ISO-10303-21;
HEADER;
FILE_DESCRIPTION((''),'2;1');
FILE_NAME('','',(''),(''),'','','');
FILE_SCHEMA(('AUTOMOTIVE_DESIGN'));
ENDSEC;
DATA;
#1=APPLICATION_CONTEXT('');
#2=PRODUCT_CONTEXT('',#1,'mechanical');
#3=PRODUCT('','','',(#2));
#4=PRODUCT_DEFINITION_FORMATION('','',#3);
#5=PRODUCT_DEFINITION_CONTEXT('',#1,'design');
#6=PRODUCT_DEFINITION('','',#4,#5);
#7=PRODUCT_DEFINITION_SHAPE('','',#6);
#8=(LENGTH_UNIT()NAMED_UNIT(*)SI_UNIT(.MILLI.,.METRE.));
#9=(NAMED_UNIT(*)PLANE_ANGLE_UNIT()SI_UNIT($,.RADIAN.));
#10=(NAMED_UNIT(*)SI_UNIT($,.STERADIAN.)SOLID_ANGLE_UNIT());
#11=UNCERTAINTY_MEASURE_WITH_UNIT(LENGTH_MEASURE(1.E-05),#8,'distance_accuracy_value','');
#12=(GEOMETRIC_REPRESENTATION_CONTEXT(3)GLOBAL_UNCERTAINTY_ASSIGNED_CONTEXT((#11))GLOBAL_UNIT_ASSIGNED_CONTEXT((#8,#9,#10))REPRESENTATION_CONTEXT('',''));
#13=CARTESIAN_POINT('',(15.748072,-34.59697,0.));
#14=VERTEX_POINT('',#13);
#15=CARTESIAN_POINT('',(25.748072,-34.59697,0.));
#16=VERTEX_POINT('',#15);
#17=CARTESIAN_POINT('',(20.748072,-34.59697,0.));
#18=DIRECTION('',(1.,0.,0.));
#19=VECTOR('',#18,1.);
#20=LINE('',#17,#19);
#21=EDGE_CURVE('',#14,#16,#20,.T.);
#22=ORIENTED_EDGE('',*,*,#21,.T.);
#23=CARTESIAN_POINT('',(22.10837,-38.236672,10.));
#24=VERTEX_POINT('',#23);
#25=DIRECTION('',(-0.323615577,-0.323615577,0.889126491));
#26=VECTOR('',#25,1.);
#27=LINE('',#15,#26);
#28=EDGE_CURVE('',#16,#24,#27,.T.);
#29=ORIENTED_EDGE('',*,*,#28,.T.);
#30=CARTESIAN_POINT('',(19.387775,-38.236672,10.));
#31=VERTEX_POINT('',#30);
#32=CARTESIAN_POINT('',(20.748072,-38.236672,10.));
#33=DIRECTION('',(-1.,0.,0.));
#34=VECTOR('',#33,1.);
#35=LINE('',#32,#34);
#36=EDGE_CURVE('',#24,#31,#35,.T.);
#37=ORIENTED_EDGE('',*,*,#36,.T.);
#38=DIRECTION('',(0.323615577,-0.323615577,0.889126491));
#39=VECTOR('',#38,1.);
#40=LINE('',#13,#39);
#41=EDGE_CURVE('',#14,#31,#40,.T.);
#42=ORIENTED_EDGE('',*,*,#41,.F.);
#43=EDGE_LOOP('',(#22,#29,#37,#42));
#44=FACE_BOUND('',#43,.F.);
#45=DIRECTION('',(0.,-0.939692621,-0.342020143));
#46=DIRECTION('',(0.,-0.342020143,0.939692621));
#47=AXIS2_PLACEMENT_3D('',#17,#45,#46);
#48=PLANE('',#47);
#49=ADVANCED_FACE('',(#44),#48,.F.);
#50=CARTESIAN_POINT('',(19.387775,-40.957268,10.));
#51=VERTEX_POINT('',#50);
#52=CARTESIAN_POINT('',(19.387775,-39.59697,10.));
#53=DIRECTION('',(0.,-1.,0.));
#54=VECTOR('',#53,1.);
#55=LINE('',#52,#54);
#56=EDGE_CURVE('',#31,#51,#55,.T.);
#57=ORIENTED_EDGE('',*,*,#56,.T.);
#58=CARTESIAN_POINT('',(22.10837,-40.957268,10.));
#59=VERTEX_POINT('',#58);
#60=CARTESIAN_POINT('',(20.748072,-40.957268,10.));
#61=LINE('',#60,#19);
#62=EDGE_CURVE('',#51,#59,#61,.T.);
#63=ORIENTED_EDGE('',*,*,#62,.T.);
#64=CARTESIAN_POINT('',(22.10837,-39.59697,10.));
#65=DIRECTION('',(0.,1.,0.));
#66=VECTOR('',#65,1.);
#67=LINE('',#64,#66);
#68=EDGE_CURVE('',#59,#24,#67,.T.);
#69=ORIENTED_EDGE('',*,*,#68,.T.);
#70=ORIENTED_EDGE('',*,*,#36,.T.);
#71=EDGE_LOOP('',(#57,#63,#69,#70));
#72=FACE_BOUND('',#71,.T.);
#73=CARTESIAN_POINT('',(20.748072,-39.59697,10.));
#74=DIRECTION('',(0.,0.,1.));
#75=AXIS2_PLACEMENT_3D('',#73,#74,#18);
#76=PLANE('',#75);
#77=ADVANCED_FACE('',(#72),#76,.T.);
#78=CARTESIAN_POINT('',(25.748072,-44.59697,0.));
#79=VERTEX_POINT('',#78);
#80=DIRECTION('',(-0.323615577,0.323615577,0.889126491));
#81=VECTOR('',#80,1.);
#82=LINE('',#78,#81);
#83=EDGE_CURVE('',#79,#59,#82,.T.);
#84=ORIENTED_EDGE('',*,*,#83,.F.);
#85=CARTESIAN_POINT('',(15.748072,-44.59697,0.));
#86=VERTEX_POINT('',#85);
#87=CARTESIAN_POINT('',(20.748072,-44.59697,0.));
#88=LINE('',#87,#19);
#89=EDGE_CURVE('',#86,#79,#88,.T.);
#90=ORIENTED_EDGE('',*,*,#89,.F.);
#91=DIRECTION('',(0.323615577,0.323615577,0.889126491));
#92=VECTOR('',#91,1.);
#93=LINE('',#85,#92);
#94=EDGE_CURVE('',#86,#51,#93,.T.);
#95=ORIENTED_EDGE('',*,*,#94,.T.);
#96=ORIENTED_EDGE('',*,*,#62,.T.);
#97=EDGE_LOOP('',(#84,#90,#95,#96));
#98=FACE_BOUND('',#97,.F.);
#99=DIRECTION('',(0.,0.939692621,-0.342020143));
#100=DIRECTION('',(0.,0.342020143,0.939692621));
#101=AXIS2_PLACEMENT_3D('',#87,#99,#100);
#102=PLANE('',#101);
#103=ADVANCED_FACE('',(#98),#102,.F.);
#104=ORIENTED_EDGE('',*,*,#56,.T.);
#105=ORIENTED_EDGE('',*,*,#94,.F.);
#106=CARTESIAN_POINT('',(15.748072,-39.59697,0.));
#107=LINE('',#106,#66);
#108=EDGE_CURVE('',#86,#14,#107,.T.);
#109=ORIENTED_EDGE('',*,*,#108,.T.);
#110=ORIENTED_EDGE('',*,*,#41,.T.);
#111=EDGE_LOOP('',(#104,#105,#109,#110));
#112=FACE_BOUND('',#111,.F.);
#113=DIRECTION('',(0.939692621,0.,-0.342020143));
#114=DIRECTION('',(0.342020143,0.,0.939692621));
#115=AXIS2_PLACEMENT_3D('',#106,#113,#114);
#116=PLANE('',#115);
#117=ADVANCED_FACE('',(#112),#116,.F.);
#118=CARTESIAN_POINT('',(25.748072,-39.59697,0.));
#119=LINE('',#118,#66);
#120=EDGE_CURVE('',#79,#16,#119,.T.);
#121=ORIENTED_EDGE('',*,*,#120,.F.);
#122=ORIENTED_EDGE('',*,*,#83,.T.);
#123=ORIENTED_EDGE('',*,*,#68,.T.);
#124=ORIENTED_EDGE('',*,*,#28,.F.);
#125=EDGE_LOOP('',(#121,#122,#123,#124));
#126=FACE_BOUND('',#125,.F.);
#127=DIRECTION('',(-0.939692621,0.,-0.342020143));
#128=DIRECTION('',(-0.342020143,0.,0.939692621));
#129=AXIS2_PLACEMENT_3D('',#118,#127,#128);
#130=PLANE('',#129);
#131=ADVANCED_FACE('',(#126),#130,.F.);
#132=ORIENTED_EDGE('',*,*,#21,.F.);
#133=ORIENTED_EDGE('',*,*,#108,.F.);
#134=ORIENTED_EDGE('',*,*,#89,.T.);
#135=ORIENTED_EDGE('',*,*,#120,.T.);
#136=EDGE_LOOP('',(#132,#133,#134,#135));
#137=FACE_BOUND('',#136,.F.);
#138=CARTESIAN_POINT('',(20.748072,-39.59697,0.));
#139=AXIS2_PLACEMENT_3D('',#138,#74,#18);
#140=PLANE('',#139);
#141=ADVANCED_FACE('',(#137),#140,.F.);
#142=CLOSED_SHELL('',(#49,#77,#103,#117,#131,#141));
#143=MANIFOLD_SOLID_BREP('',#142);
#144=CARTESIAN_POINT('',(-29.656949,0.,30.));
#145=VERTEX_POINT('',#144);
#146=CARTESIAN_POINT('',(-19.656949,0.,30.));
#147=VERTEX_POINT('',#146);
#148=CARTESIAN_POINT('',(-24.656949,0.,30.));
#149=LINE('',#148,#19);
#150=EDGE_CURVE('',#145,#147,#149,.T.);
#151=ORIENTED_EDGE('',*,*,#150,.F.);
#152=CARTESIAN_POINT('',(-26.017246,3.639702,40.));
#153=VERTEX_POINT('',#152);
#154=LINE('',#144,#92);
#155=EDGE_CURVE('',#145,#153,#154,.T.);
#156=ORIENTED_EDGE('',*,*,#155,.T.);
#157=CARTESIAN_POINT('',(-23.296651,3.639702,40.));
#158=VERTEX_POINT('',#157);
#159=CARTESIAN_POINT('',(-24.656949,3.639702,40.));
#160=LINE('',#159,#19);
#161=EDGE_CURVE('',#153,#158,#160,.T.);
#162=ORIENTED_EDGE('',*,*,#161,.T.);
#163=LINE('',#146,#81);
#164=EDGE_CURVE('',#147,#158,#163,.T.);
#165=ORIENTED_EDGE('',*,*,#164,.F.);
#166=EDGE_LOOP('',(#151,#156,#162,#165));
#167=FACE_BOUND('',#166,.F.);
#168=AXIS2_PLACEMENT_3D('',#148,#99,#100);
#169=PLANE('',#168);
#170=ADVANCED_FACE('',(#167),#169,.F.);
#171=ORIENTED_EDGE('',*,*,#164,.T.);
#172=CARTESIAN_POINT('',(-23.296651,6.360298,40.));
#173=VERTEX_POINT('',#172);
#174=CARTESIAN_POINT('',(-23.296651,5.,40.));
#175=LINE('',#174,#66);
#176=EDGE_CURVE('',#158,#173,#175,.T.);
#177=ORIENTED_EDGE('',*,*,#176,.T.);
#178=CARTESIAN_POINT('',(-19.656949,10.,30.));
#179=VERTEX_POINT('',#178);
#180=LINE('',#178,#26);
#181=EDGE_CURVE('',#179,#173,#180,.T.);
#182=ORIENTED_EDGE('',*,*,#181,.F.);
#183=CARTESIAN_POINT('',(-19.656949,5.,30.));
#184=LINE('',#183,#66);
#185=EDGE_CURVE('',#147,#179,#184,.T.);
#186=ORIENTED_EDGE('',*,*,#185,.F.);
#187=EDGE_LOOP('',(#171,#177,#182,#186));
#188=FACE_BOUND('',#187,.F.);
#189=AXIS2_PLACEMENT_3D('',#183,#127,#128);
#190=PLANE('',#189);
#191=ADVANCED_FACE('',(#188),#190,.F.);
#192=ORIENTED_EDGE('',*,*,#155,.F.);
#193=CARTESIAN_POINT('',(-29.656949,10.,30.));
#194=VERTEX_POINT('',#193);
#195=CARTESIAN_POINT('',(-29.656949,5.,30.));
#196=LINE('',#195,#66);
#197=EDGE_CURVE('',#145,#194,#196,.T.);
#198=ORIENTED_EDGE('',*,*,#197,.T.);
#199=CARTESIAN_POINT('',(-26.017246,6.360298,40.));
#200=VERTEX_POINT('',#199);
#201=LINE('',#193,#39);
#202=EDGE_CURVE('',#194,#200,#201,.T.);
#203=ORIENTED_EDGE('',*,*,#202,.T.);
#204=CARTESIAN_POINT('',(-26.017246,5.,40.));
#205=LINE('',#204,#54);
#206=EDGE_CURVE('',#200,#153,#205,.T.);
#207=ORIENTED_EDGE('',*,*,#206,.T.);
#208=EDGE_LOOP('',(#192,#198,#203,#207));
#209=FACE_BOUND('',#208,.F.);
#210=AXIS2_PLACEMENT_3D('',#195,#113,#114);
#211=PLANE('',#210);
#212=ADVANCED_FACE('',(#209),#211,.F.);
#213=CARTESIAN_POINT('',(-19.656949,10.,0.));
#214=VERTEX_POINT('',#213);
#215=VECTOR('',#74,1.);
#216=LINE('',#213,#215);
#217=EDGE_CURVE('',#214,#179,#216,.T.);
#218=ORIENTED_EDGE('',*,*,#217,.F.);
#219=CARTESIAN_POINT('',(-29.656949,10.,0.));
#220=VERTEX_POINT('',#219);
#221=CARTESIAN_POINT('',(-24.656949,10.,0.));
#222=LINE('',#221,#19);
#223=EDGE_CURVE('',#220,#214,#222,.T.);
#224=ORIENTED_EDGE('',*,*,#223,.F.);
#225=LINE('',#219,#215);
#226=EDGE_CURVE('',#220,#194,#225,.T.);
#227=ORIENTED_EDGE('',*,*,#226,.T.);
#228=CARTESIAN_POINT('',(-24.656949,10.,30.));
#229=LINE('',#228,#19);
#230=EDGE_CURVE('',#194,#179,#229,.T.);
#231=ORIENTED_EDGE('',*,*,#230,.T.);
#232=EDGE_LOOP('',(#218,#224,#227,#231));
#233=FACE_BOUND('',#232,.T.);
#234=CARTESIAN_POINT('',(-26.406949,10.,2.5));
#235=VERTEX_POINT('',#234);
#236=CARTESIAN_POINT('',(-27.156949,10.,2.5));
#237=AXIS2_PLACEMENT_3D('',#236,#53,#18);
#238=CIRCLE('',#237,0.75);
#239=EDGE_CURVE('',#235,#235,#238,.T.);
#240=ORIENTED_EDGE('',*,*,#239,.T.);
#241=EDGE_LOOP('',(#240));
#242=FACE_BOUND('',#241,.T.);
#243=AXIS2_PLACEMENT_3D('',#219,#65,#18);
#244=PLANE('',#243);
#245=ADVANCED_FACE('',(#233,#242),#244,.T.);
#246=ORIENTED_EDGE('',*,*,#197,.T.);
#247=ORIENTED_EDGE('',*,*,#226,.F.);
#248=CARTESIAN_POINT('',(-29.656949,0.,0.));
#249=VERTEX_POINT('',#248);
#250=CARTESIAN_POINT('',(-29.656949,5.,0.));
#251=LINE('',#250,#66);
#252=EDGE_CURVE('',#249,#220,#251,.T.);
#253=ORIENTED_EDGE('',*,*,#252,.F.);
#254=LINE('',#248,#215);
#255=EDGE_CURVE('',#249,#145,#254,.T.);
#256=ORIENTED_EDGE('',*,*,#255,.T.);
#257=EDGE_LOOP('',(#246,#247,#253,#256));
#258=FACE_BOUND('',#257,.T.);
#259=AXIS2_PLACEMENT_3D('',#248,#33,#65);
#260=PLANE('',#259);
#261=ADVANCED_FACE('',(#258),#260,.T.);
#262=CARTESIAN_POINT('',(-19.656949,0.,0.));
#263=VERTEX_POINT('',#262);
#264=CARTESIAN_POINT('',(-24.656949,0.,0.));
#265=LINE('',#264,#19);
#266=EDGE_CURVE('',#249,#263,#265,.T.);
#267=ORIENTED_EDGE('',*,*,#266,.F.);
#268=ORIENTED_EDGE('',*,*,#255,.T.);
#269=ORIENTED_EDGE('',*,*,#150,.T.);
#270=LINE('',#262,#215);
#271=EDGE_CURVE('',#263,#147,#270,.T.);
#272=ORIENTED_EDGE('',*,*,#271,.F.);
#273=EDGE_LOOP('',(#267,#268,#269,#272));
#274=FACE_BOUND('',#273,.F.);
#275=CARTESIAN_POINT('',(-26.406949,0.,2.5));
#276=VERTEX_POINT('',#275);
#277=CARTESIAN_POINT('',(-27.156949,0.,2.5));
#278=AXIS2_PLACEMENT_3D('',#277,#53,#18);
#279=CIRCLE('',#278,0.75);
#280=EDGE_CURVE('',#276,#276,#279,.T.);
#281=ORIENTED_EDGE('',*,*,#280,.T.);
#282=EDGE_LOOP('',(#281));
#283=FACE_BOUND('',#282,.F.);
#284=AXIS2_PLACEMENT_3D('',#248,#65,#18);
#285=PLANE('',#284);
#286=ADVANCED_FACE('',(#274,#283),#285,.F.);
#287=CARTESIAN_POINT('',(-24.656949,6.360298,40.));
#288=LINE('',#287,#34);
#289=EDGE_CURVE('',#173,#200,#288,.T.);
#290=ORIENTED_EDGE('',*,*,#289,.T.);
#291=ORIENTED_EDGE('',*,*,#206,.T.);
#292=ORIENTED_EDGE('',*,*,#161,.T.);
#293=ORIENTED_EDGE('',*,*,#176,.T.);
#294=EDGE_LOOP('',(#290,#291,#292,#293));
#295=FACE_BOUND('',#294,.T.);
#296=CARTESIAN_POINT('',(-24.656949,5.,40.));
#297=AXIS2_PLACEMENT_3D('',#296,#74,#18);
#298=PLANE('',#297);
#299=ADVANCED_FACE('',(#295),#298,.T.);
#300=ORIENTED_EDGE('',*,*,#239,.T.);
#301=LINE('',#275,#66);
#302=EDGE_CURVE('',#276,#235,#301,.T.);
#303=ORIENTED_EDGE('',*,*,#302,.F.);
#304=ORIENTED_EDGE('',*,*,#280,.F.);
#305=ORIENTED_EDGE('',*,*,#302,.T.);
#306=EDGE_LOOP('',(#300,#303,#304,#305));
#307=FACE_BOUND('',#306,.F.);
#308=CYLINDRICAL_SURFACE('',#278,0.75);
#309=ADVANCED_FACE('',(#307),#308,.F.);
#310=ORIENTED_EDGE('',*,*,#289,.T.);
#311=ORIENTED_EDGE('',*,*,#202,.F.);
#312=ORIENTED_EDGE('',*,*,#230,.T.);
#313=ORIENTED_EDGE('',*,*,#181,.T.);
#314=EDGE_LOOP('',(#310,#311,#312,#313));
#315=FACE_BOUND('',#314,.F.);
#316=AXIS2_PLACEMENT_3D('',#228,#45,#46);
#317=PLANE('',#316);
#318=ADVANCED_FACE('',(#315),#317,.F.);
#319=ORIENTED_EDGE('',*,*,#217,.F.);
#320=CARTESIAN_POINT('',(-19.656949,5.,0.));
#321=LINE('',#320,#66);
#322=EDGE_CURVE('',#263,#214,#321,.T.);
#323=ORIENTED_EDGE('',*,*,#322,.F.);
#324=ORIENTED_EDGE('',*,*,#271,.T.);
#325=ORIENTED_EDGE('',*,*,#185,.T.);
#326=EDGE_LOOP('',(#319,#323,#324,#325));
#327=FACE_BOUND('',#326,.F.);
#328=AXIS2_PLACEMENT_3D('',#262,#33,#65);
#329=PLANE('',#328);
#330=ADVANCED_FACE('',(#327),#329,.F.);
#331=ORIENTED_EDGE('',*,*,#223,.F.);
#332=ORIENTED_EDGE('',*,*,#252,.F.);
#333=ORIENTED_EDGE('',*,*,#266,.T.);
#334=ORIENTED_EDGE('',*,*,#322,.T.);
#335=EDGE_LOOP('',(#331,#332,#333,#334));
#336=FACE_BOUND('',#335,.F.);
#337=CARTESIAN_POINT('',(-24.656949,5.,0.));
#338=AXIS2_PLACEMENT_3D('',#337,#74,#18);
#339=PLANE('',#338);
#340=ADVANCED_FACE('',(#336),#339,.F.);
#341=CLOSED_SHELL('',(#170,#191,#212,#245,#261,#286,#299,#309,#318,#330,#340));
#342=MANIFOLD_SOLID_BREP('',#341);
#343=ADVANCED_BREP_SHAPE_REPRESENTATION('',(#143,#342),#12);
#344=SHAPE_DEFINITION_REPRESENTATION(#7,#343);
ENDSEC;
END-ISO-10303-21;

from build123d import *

# Parameters (mm, degrees)
F0_W     = 10
F0_H     = 10
F1_DEPTH = 30
F2_W     = 10
F2_H     = 10
F3_DEPTH = 10
F3_TAPER = 20
F4_R     = 0.75
F5_DEPTH = 25
F6_W     = 10
F6_H     = 10
F7_DEPTH = 10
F7_TAPER = 20


with BuildPart() as f1:
    # F0 (on Top) → F1 (new body)
    with BuildSketch(Plane.XY):
        with Locations((-24.6569485217, 5)):
            Rectangle(F0_W, F0_H)
    extrude(amount=F1_DEPTH)

    # F4 (on face) → F5 (cut)
    with BuildSketch(Plane.XZ):
        with Locations((-27.1569485217, 2.5)):
            Circle(F4_R)
    extrude(amount=-F5_DEPTH, mode=Mode.SUBTRACT)

    # F6 (on face) → F7 (join)
    with BuildSketch(Plane.XY.offset(30)):
        with Locations((-24.6569485217, 5)):
            Rectangle(F6_W, F6_H)
    extrude(amount=F7_DEPTH, taper=F7_TAPER)


with BuildPart() as f3:
    # F2 (on Top) → F3 (new body)
    with BuildSketch(Plane.XY):
        with Locations((20.7480721921, -39.5969700813)):
            Rectangle(F2_W, F2_H)
    extrude(amount=F3_DEPTH, taper=F3_TAPER)


solid = Compound([f1.part, f3.part])
